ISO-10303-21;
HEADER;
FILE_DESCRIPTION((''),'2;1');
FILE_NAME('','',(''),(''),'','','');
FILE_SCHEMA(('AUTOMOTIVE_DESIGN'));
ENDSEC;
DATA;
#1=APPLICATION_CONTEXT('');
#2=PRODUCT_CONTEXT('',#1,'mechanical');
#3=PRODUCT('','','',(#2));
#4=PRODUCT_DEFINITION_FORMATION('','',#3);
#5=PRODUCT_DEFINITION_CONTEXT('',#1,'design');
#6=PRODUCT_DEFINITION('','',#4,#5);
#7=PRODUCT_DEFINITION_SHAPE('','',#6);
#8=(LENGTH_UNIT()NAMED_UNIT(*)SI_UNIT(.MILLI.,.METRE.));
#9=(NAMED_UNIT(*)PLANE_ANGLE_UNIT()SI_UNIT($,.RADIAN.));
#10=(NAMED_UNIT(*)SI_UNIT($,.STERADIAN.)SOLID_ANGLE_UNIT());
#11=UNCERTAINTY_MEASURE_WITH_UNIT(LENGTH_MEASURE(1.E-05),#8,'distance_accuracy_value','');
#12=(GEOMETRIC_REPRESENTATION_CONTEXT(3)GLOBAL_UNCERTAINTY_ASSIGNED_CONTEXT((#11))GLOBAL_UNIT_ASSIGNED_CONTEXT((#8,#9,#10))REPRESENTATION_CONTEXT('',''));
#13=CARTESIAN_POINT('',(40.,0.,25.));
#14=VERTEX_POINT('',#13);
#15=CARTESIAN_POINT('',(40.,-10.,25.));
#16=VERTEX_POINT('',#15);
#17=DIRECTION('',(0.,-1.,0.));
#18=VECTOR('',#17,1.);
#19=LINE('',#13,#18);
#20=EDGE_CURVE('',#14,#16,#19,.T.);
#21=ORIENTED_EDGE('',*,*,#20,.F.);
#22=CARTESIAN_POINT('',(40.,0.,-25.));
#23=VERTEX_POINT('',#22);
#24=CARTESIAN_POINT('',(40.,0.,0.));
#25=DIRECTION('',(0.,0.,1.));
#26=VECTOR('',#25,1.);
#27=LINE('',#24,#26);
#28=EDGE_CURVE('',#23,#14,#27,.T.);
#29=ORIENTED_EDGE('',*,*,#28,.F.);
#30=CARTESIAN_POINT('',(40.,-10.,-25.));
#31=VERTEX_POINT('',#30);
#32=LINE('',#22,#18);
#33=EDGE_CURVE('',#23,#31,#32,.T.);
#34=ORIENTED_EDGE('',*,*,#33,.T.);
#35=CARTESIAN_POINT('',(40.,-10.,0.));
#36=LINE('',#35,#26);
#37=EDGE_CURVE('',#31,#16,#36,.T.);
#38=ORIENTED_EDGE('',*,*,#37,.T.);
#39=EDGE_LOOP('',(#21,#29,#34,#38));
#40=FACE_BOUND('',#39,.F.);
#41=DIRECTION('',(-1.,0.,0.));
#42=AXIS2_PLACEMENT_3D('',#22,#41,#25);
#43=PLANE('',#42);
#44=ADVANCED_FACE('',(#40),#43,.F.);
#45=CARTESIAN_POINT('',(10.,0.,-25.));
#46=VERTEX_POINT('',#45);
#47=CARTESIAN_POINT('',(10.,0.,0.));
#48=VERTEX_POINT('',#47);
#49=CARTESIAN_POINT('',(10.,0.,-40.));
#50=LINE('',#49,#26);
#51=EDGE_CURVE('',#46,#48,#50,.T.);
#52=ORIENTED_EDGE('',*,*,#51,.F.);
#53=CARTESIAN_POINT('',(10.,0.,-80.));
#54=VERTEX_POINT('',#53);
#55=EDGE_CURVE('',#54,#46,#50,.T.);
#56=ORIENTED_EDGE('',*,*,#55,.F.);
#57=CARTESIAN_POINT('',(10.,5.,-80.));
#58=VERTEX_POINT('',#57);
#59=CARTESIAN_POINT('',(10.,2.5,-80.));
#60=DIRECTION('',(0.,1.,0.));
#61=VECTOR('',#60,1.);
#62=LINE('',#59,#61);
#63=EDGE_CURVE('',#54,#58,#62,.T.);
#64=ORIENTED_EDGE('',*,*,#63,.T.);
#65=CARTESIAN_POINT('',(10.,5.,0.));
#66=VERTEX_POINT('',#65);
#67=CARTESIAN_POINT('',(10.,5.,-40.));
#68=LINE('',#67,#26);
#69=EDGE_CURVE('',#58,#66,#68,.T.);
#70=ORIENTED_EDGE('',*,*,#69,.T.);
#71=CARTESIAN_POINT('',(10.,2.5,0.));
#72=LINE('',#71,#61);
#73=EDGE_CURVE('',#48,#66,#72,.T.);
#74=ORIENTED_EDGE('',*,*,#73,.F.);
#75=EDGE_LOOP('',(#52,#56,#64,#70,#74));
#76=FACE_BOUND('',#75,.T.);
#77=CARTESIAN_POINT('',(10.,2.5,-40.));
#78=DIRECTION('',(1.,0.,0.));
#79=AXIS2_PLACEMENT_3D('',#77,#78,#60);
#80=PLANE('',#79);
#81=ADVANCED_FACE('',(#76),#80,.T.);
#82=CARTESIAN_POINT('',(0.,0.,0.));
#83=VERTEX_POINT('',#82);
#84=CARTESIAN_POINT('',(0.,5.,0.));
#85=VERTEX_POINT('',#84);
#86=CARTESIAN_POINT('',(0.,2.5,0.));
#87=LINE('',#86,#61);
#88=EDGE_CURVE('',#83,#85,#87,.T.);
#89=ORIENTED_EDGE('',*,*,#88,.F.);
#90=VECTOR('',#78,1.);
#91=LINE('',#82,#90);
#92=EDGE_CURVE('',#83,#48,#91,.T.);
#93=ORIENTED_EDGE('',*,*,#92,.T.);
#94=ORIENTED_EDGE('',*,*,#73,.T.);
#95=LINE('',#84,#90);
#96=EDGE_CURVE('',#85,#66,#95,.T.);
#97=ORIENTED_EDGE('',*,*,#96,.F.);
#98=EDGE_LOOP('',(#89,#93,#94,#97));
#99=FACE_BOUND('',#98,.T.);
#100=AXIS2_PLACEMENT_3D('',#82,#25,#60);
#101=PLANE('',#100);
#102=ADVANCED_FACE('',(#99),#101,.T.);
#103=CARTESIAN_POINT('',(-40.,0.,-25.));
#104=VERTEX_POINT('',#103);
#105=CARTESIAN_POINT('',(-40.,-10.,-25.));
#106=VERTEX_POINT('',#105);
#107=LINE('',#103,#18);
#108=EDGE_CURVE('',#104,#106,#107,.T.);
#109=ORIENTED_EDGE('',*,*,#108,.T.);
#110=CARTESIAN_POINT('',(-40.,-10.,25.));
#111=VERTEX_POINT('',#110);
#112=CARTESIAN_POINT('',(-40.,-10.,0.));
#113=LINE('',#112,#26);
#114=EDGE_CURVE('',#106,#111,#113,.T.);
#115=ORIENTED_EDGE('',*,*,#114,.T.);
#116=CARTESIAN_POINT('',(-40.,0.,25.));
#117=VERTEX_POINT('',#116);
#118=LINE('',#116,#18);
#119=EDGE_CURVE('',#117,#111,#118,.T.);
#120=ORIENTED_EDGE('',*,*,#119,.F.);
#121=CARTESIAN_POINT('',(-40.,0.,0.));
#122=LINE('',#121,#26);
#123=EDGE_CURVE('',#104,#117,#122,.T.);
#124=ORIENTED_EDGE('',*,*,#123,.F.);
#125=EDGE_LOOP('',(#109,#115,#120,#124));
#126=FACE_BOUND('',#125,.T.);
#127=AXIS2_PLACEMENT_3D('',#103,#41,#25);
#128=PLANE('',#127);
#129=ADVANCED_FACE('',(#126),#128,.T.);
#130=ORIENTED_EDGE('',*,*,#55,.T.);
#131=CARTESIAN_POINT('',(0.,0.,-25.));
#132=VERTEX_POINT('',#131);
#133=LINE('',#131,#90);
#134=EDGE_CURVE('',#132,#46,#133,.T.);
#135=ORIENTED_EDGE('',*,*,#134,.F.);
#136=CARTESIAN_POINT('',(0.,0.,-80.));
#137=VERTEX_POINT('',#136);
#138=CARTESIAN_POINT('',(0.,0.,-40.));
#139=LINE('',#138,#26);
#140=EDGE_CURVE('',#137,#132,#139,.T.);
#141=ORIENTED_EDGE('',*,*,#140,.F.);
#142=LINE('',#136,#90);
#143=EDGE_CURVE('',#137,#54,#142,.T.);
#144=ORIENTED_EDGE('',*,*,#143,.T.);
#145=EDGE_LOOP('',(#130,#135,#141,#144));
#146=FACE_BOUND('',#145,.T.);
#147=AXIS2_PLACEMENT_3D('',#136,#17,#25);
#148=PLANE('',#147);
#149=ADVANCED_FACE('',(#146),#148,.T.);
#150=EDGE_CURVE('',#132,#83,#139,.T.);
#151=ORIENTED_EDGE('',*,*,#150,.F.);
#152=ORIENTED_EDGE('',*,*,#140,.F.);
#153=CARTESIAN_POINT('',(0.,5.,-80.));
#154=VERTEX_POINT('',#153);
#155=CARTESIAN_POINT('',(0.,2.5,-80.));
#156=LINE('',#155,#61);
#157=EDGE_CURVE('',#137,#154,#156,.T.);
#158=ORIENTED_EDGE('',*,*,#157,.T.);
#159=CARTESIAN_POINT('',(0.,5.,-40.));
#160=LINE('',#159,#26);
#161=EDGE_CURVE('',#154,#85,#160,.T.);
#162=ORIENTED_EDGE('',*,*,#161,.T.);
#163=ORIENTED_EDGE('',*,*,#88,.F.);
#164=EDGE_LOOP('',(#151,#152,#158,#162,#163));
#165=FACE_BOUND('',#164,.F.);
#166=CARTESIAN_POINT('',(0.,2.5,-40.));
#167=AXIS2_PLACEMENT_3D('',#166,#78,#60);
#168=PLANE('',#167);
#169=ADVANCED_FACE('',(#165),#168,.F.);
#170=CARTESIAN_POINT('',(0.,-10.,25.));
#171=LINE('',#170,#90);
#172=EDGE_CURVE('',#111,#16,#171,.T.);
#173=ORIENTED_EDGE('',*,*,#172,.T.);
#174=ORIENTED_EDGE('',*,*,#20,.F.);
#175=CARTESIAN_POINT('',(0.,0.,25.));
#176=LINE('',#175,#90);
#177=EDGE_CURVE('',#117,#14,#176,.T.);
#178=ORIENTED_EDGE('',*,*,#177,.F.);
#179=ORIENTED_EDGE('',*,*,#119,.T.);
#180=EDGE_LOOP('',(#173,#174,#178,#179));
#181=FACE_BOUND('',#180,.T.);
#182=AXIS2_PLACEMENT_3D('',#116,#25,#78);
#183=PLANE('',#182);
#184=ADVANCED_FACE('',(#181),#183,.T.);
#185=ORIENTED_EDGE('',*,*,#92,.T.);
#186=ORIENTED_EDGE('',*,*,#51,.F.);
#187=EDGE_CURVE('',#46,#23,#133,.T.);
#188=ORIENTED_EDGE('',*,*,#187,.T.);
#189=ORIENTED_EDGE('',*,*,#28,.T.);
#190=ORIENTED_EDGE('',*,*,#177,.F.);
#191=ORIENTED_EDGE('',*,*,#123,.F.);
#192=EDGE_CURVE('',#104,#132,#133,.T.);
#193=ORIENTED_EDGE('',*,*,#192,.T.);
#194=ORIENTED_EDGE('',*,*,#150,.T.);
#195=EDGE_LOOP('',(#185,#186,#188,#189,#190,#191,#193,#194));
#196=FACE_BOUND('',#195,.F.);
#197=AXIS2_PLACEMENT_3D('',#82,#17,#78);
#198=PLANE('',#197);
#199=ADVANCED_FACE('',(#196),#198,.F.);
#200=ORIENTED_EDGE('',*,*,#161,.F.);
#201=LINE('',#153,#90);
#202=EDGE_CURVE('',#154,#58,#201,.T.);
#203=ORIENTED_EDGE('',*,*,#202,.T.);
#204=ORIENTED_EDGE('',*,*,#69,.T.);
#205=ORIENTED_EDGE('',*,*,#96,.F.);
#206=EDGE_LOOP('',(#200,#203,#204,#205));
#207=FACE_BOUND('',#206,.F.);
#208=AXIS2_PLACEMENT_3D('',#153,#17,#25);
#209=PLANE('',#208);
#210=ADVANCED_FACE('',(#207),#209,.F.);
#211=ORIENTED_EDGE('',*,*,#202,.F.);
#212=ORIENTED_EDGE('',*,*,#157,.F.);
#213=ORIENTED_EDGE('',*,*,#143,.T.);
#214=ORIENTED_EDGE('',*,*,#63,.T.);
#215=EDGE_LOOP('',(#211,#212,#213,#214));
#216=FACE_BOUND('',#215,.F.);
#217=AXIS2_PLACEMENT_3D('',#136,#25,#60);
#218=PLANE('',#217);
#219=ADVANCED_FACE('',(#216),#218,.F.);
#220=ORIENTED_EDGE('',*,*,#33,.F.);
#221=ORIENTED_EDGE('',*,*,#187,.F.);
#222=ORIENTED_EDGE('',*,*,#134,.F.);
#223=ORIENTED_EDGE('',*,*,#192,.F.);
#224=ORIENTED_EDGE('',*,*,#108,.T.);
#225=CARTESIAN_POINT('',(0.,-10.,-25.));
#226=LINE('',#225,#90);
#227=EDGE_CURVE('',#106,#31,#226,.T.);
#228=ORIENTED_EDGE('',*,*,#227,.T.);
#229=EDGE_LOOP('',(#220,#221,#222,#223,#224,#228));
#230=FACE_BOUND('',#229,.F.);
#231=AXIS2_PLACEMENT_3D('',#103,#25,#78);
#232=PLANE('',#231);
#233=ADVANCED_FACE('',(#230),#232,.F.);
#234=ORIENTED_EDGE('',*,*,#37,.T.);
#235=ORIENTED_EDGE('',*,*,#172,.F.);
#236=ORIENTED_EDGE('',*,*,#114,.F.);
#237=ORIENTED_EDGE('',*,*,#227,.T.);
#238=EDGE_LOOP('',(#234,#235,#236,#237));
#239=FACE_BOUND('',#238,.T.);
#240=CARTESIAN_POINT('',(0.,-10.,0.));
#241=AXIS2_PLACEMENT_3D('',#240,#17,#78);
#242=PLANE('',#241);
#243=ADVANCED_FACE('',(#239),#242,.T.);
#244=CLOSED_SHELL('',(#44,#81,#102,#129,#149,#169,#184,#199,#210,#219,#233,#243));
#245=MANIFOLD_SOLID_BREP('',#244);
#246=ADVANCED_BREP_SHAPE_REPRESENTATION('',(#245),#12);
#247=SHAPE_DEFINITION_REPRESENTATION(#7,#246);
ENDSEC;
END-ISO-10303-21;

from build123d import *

# Parameters (mm, degrees)
F0_W     = 80
F0_H     = 50
F1_DEPTH = 10
F2_W     = 5
F2_H     = 80
F3_DEPTH = 10


with BuildPart() as f1:
    # F0 (on Front) → F1 (new body)
    with BuildSketch(Plane.XZ):
        Rectangle(F0_W, F0_H)
    extrude(amount=F1_DEPTH)

    # F2 (on Right) → F3 (join)
    with BuildSketch(Plane.YZ):
        with Locations((2.5, -40)):
            Rectangle(F2_W, F2_H)
    extrude(amount=F3_DEPTH)


solid = f1.part
